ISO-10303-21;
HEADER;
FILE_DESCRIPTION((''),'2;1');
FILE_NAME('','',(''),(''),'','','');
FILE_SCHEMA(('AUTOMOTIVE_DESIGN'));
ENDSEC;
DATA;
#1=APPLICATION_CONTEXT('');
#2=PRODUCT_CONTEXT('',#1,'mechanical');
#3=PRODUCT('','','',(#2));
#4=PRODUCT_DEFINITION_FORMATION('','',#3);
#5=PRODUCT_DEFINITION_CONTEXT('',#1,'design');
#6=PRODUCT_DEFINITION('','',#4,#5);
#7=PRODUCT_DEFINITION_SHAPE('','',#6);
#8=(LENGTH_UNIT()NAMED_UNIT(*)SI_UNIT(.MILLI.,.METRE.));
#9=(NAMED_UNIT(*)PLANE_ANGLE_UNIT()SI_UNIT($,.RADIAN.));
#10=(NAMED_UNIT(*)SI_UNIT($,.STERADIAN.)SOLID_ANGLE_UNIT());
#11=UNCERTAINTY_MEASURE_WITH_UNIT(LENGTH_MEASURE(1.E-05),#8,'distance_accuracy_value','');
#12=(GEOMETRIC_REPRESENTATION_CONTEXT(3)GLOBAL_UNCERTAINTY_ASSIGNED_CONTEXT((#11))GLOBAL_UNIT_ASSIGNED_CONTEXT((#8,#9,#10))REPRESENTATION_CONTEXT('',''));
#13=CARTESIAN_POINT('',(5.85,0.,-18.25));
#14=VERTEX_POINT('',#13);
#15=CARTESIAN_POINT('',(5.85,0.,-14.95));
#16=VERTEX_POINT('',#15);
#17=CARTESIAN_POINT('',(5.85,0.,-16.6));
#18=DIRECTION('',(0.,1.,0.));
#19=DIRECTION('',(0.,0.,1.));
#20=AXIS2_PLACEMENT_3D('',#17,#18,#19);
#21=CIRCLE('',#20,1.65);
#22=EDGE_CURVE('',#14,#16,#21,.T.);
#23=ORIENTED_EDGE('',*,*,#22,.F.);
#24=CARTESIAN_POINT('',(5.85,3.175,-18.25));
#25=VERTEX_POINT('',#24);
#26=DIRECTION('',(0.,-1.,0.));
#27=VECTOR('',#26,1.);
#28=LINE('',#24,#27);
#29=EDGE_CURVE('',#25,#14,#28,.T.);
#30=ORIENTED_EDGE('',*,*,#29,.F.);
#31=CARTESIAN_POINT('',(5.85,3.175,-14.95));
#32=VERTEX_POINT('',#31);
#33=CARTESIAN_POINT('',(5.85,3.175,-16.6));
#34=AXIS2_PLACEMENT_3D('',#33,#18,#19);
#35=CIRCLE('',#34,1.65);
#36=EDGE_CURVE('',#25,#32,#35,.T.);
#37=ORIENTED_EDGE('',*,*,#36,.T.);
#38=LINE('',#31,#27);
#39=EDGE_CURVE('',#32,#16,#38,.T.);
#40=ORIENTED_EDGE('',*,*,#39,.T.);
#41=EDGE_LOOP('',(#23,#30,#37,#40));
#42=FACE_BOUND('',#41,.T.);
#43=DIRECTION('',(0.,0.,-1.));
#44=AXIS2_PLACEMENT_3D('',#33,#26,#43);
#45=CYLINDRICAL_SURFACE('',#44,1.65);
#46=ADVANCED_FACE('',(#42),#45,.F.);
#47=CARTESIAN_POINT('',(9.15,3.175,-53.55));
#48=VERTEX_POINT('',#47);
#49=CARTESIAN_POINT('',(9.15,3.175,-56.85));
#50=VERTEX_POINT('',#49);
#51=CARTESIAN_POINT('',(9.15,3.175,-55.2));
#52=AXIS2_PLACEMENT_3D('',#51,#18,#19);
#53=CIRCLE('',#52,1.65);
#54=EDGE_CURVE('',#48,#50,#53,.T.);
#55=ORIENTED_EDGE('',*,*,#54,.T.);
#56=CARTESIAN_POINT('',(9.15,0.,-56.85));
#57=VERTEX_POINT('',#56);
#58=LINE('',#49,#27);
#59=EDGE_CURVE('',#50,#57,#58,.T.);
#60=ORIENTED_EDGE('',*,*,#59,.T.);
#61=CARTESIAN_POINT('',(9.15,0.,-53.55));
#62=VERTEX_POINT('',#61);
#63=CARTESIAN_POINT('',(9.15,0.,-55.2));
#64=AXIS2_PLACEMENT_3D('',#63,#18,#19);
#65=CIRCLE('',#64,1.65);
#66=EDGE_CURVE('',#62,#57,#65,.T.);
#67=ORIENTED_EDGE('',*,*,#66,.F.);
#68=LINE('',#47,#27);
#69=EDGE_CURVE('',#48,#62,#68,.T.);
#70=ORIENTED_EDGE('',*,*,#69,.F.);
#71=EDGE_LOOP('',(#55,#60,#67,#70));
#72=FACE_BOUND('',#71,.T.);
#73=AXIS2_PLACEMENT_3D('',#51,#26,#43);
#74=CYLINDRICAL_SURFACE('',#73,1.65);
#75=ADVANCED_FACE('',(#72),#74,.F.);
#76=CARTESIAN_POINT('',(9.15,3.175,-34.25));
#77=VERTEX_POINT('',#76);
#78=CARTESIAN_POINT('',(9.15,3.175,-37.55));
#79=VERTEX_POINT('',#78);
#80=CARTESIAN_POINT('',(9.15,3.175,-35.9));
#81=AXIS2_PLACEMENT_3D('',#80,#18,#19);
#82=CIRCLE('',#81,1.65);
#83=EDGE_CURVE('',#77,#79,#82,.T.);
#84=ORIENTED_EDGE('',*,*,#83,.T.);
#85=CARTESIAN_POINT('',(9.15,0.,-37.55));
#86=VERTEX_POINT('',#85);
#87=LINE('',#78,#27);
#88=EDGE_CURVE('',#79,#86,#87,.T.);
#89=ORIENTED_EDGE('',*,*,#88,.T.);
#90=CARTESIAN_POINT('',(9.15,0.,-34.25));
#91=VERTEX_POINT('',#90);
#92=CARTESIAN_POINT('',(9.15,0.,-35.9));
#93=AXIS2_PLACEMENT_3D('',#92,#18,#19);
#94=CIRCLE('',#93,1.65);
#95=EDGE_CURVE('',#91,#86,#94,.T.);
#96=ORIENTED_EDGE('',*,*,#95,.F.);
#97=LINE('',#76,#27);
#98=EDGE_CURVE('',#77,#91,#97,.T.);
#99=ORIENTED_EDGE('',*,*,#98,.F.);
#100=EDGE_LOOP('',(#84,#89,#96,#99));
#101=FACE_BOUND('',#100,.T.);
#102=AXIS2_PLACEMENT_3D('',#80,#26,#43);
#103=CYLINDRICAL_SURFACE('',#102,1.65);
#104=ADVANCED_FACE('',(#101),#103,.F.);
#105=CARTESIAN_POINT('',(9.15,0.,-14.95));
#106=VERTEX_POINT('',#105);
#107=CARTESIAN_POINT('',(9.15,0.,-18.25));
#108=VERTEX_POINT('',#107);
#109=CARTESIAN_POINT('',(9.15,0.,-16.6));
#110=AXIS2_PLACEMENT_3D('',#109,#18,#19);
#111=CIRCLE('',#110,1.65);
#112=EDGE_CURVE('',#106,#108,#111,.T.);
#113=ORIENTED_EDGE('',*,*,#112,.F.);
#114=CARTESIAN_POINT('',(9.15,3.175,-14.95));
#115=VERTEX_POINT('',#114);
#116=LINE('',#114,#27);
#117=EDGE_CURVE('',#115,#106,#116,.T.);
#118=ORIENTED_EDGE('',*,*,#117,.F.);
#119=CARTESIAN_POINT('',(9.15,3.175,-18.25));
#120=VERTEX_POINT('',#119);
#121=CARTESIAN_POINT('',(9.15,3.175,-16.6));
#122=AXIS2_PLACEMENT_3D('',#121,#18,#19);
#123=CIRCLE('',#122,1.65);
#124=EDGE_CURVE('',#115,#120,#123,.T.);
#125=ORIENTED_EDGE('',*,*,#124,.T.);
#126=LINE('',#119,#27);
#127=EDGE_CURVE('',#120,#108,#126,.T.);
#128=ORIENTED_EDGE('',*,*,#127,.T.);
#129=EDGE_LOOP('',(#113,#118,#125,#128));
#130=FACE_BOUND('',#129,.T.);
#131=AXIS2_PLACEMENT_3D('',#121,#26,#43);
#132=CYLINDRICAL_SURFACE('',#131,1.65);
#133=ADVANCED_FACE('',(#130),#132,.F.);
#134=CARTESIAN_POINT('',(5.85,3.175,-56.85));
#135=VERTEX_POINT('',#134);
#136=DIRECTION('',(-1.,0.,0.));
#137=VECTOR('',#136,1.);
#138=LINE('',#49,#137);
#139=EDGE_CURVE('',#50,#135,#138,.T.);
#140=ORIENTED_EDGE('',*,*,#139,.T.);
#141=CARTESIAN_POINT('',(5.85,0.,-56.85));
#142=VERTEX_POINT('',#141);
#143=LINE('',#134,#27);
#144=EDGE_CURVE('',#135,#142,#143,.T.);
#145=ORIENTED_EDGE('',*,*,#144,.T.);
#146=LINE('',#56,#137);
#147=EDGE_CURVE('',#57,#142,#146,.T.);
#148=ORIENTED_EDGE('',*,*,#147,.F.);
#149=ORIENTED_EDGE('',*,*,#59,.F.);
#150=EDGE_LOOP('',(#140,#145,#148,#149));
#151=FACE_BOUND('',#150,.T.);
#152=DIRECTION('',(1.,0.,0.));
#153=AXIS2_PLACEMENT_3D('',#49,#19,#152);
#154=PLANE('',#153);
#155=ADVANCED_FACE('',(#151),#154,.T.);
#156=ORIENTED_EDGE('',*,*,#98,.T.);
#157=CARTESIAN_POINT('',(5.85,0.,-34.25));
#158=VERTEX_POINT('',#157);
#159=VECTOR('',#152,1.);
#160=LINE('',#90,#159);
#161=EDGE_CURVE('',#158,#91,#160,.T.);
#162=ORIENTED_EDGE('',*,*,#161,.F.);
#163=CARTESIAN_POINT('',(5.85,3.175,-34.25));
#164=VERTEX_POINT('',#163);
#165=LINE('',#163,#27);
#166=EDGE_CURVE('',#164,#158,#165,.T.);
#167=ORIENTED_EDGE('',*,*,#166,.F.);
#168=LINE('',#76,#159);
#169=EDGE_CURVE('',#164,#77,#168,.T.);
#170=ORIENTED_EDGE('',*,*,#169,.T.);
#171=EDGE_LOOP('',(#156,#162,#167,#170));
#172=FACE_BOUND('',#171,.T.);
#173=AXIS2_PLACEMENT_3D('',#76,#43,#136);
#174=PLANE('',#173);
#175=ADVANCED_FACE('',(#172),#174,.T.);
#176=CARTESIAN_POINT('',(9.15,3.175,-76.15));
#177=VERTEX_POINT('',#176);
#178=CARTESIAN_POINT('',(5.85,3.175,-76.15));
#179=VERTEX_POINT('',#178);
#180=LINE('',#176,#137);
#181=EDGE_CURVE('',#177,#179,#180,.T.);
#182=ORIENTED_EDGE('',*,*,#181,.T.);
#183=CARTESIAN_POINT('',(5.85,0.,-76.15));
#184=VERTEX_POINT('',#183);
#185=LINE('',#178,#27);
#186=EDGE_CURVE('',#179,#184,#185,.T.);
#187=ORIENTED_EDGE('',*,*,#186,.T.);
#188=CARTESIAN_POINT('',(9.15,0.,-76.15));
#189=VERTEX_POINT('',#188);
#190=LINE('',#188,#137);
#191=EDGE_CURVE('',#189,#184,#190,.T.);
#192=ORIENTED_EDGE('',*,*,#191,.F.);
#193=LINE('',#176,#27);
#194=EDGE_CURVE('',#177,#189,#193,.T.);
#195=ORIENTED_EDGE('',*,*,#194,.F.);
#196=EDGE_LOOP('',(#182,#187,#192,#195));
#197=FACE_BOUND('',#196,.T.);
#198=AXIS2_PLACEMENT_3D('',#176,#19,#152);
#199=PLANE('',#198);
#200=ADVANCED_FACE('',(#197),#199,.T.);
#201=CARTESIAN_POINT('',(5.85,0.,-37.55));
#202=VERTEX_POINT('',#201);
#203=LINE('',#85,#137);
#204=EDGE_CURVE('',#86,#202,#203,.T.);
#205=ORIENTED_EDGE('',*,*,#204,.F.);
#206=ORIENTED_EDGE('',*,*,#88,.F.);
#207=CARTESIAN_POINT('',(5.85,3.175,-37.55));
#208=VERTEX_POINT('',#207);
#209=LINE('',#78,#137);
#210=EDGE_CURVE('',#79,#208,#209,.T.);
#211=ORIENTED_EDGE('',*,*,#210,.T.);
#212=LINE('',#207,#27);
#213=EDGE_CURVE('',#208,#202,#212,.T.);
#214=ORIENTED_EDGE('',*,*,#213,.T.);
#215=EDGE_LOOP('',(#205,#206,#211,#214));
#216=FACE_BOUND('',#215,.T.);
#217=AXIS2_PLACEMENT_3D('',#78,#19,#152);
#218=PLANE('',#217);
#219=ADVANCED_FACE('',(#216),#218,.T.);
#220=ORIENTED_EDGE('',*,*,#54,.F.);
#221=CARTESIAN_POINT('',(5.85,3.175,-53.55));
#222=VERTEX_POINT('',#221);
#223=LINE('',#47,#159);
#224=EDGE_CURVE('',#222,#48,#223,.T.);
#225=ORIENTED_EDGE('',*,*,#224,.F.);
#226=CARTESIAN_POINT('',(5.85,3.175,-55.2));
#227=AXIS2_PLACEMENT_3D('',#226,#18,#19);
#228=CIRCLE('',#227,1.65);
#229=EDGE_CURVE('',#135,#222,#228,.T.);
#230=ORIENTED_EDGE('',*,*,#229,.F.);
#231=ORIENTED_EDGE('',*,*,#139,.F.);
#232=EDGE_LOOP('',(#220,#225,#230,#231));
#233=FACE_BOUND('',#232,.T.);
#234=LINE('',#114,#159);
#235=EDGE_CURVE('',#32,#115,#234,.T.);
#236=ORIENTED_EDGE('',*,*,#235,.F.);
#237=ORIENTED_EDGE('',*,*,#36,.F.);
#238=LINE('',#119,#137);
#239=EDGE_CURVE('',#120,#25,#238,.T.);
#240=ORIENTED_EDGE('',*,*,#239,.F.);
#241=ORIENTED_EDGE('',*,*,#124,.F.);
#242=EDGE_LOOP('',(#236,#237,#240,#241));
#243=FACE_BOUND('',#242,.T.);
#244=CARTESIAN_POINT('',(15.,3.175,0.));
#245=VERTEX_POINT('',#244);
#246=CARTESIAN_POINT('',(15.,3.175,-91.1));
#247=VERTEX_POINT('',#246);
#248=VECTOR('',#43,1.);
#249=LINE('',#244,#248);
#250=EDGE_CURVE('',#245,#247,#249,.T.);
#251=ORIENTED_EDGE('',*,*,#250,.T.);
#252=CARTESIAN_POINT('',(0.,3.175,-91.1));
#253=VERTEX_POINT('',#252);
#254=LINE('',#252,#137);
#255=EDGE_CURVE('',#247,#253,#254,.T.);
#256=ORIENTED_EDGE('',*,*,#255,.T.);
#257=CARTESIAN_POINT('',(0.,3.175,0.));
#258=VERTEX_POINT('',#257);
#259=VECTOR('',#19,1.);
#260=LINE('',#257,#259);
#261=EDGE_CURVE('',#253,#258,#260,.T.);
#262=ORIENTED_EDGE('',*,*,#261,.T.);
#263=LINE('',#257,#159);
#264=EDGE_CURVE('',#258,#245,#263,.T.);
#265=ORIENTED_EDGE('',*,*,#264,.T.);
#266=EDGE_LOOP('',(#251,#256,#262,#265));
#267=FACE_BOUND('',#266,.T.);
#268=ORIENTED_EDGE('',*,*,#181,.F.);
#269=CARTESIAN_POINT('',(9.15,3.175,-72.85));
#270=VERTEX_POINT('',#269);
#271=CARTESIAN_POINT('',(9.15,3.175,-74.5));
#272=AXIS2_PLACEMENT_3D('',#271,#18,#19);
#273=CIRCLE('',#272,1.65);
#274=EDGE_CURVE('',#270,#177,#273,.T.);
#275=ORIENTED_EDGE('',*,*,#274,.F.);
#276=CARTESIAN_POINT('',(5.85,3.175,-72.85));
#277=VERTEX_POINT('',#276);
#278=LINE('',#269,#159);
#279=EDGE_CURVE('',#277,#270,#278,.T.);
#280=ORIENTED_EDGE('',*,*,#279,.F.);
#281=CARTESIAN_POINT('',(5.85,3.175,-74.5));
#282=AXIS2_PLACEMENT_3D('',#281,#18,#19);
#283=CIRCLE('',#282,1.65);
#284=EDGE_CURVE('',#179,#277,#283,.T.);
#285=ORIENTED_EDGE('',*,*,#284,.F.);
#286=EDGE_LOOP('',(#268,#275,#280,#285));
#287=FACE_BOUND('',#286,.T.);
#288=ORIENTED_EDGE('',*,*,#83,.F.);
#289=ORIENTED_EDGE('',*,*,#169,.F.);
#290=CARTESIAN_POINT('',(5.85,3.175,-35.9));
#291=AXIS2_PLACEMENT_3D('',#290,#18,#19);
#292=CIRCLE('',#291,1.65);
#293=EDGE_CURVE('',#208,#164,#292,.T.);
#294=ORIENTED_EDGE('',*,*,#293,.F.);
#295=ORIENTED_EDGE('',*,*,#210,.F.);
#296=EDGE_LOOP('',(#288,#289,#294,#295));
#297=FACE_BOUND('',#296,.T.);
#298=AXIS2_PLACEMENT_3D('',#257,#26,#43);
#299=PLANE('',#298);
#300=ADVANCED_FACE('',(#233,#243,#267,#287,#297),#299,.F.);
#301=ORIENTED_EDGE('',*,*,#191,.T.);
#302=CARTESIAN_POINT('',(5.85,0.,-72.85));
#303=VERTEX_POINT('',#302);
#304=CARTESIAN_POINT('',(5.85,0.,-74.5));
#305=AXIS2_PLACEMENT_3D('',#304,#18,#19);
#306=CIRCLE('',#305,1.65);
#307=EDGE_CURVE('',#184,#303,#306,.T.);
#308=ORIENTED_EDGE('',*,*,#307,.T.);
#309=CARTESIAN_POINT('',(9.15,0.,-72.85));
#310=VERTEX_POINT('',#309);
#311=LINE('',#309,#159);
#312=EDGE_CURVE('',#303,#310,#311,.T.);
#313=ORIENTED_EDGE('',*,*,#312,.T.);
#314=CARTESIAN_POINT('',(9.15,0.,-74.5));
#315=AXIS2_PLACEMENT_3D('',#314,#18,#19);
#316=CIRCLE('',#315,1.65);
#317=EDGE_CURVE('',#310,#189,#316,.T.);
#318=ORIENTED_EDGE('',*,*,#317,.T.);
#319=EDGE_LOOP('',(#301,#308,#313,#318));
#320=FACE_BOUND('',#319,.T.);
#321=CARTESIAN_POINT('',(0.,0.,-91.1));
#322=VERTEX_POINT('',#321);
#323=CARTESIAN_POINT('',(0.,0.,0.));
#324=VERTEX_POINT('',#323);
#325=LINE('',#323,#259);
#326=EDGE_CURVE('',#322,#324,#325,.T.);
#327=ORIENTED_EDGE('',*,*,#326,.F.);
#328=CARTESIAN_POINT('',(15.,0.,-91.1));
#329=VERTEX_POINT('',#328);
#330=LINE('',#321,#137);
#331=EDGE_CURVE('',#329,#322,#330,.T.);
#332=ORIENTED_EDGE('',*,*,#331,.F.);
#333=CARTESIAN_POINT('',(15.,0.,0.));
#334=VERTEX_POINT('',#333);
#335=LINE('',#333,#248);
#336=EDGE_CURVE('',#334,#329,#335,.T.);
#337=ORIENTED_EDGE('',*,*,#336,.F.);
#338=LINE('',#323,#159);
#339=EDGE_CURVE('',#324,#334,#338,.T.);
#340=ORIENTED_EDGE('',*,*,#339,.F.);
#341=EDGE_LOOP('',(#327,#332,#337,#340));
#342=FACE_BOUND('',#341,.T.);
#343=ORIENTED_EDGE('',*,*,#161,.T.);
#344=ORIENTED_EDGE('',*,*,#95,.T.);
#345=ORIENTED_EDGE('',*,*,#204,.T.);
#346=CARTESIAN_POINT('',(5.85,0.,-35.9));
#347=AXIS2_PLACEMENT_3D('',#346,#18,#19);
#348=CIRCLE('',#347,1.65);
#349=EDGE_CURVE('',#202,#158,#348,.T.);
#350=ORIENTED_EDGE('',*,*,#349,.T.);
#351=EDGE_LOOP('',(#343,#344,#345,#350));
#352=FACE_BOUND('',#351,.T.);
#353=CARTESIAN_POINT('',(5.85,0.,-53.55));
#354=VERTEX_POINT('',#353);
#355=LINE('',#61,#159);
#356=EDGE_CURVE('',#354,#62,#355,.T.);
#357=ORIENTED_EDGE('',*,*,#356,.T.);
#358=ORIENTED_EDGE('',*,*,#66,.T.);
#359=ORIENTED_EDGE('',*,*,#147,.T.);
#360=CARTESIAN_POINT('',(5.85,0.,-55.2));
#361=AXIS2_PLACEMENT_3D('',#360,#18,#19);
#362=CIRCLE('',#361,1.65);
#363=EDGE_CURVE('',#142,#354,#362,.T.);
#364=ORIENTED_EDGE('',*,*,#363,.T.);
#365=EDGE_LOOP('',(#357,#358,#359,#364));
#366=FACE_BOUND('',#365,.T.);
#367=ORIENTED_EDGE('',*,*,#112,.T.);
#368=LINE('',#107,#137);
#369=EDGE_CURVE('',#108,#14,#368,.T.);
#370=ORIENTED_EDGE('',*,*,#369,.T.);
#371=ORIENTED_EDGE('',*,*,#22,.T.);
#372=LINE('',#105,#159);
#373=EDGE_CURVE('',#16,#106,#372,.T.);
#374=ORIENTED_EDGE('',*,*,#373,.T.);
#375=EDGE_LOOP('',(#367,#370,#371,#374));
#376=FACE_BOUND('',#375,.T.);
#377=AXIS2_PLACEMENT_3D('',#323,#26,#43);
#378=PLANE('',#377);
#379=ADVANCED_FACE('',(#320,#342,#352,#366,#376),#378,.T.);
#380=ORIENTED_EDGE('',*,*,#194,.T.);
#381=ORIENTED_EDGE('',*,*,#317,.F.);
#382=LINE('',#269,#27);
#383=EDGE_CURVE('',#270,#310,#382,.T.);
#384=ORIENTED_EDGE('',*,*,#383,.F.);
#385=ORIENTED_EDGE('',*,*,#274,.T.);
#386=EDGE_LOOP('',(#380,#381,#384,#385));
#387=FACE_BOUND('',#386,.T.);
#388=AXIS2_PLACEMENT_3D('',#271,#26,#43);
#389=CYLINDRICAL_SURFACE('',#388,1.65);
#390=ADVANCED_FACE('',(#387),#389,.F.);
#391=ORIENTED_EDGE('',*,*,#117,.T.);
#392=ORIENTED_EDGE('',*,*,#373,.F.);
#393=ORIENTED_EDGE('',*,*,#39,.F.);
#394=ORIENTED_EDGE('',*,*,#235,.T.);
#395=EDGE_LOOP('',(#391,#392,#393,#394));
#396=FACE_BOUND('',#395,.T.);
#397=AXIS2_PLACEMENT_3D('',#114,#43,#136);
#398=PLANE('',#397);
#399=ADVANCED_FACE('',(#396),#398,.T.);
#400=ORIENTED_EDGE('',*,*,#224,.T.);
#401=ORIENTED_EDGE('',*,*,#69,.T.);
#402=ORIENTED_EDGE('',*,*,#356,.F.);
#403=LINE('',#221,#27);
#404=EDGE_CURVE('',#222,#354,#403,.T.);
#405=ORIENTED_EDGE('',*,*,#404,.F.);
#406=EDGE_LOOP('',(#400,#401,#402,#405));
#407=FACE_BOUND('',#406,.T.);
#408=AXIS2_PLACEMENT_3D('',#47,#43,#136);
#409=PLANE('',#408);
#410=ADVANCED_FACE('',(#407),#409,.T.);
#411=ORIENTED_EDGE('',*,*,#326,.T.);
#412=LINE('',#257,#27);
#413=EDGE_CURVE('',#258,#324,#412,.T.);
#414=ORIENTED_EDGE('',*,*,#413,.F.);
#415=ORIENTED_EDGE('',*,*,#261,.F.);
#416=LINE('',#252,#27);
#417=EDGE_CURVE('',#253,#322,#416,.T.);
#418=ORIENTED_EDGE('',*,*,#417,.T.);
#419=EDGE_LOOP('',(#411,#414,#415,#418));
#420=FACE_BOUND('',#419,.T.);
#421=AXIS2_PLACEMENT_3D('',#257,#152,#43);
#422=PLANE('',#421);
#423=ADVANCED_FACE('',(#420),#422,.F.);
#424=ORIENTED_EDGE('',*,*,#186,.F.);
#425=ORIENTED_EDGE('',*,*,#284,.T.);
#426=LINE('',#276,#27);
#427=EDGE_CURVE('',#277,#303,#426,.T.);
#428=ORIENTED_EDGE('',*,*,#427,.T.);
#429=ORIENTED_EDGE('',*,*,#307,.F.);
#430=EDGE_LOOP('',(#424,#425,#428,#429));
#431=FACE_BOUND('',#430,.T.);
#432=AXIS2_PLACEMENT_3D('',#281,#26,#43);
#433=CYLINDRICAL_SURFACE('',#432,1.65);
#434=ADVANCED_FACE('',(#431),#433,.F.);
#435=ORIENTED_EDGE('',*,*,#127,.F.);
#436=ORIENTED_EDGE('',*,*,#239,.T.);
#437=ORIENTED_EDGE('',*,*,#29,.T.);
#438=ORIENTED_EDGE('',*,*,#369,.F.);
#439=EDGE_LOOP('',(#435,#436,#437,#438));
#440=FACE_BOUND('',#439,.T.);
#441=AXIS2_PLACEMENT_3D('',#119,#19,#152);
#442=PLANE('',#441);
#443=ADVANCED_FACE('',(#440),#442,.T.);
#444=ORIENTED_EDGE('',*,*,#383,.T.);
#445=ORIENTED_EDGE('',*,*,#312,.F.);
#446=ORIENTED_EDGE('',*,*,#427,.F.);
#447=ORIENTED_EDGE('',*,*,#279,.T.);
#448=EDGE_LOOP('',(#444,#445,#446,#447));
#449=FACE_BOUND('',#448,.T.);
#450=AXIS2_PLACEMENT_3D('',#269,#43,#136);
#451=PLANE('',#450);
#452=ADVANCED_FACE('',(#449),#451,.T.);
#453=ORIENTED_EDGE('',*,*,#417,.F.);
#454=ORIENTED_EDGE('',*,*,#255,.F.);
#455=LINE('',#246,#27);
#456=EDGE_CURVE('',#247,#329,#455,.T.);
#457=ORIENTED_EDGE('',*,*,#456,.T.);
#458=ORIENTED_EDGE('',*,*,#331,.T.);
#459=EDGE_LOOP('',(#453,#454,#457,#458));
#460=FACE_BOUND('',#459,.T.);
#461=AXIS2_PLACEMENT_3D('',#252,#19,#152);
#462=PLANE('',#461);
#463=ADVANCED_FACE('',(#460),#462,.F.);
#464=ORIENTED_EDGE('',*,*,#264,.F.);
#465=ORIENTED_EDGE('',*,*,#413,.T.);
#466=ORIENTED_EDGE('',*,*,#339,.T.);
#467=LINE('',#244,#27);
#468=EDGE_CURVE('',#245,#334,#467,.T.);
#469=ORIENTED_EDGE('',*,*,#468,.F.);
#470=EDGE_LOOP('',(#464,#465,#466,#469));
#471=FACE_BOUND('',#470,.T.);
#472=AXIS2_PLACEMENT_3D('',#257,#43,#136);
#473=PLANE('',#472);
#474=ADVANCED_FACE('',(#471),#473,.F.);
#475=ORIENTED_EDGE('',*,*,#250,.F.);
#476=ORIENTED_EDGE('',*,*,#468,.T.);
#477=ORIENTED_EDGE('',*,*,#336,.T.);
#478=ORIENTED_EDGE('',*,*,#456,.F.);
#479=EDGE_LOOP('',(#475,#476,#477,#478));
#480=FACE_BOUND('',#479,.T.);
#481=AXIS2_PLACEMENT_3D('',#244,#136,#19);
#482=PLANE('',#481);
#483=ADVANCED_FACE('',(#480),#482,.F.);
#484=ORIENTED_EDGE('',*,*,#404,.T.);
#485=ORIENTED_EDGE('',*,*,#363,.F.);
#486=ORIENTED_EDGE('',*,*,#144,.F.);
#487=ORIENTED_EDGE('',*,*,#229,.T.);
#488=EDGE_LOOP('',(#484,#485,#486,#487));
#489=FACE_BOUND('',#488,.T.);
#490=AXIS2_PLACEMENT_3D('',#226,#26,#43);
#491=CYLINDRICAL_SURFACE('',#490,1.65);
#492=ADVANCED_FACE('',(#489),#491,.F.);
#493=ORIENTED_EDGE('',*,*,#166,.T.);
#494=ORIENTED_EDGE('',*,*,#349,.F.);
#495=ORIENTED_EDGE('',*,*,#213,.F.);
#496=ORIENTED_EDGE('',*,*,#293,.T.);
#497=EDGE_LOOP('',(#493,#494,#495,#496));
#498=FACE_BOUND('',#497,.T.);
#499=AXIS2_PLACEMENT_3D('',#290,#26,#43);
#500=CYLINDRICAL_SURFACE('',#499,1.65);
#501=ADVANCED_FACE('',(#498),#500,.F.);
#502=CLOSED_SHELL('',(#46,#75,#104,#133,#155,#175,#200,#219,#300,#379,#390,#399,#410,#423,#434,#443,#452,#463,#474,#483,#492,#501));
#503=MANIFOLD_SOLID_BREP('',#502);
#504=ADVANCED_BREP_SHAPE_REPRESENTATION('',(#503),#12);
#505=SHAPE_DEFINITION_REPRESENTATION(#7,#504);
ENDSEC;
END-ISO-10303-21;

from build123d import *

# Parameters (mm, degrees)
SKETCH2_W           = 15
SKETCH2_H           = 91.1
BOSS_EXTRUDE1_DEPTH = 3.175


with BuildPart() as part:
    # Sketch2 → Boss-Extrude1 (new body)
    with BuildSketch(Plane(origin=(0, 0, 0), x_dir=(1, 0, 0), z_dir=(0, 1, 0))):
        with Locations((7.5, 45.55)):
            Rectangle(SKETCH2_W, SKETCH2_H)
        with BuildLine():
            Line((9.15, 14.95), (5.85, 14.95))
            ThreePointArc((5.85, 14.95), (4.2, 16.6), (5.85, 18.25))
            Line((5.85, 18.25), (9.15, 18.25))
            ThreePointArc((9.15, 18.25), (10.8, 16.6), (9.15, 14.95))
        make_face(mode=Mode.SUBTRACT)
        with BuildLine():
            Line((9.15, 34.25), (5.85, 34.25))
            ThreePointArc((5.85, 34.25), (4.2, 35.9), (5.85, 37.55))
            Line((5.85, 37.55), (9.15, 37.55))
            ThreePointArc((9.15, 37.55), (10.8, 35.9), (9.15, 34.25))
        make_face(mode=Mode.SUBTRACT)
        with BuildLine():
            Line((9.15, 53.55), (5.85, 53.55))
            ThreePointArc((5.85, 53.55), (4.2, 55.2), (5.85, 56.85))
            Line((5.85, 56.85), (9.15, 56.85))
            ThreePointArc((9.15, 56.85), (10.8, 55.2), (9.15, 53.55))
        make_face(mode=Mode.SUBTRACT)
        with BuildLine():
            Line((9.15, 72.85), (5.85, 72.85))
            ThreePointArc((5.85, 72.85), (4.2, 74.5), (5.85, 76.15))
            Line((5.85, 76.15), (9.15, 76.15))
            ThreePointArc((9.15, 76.15), (10.8, 74.5), (9.15, 72.85))
        make_face(mode=Mode.SUBTRACT)
    extrude(amount=BOSS_EXTRUDE1_DEPTH)


solid = part.part
